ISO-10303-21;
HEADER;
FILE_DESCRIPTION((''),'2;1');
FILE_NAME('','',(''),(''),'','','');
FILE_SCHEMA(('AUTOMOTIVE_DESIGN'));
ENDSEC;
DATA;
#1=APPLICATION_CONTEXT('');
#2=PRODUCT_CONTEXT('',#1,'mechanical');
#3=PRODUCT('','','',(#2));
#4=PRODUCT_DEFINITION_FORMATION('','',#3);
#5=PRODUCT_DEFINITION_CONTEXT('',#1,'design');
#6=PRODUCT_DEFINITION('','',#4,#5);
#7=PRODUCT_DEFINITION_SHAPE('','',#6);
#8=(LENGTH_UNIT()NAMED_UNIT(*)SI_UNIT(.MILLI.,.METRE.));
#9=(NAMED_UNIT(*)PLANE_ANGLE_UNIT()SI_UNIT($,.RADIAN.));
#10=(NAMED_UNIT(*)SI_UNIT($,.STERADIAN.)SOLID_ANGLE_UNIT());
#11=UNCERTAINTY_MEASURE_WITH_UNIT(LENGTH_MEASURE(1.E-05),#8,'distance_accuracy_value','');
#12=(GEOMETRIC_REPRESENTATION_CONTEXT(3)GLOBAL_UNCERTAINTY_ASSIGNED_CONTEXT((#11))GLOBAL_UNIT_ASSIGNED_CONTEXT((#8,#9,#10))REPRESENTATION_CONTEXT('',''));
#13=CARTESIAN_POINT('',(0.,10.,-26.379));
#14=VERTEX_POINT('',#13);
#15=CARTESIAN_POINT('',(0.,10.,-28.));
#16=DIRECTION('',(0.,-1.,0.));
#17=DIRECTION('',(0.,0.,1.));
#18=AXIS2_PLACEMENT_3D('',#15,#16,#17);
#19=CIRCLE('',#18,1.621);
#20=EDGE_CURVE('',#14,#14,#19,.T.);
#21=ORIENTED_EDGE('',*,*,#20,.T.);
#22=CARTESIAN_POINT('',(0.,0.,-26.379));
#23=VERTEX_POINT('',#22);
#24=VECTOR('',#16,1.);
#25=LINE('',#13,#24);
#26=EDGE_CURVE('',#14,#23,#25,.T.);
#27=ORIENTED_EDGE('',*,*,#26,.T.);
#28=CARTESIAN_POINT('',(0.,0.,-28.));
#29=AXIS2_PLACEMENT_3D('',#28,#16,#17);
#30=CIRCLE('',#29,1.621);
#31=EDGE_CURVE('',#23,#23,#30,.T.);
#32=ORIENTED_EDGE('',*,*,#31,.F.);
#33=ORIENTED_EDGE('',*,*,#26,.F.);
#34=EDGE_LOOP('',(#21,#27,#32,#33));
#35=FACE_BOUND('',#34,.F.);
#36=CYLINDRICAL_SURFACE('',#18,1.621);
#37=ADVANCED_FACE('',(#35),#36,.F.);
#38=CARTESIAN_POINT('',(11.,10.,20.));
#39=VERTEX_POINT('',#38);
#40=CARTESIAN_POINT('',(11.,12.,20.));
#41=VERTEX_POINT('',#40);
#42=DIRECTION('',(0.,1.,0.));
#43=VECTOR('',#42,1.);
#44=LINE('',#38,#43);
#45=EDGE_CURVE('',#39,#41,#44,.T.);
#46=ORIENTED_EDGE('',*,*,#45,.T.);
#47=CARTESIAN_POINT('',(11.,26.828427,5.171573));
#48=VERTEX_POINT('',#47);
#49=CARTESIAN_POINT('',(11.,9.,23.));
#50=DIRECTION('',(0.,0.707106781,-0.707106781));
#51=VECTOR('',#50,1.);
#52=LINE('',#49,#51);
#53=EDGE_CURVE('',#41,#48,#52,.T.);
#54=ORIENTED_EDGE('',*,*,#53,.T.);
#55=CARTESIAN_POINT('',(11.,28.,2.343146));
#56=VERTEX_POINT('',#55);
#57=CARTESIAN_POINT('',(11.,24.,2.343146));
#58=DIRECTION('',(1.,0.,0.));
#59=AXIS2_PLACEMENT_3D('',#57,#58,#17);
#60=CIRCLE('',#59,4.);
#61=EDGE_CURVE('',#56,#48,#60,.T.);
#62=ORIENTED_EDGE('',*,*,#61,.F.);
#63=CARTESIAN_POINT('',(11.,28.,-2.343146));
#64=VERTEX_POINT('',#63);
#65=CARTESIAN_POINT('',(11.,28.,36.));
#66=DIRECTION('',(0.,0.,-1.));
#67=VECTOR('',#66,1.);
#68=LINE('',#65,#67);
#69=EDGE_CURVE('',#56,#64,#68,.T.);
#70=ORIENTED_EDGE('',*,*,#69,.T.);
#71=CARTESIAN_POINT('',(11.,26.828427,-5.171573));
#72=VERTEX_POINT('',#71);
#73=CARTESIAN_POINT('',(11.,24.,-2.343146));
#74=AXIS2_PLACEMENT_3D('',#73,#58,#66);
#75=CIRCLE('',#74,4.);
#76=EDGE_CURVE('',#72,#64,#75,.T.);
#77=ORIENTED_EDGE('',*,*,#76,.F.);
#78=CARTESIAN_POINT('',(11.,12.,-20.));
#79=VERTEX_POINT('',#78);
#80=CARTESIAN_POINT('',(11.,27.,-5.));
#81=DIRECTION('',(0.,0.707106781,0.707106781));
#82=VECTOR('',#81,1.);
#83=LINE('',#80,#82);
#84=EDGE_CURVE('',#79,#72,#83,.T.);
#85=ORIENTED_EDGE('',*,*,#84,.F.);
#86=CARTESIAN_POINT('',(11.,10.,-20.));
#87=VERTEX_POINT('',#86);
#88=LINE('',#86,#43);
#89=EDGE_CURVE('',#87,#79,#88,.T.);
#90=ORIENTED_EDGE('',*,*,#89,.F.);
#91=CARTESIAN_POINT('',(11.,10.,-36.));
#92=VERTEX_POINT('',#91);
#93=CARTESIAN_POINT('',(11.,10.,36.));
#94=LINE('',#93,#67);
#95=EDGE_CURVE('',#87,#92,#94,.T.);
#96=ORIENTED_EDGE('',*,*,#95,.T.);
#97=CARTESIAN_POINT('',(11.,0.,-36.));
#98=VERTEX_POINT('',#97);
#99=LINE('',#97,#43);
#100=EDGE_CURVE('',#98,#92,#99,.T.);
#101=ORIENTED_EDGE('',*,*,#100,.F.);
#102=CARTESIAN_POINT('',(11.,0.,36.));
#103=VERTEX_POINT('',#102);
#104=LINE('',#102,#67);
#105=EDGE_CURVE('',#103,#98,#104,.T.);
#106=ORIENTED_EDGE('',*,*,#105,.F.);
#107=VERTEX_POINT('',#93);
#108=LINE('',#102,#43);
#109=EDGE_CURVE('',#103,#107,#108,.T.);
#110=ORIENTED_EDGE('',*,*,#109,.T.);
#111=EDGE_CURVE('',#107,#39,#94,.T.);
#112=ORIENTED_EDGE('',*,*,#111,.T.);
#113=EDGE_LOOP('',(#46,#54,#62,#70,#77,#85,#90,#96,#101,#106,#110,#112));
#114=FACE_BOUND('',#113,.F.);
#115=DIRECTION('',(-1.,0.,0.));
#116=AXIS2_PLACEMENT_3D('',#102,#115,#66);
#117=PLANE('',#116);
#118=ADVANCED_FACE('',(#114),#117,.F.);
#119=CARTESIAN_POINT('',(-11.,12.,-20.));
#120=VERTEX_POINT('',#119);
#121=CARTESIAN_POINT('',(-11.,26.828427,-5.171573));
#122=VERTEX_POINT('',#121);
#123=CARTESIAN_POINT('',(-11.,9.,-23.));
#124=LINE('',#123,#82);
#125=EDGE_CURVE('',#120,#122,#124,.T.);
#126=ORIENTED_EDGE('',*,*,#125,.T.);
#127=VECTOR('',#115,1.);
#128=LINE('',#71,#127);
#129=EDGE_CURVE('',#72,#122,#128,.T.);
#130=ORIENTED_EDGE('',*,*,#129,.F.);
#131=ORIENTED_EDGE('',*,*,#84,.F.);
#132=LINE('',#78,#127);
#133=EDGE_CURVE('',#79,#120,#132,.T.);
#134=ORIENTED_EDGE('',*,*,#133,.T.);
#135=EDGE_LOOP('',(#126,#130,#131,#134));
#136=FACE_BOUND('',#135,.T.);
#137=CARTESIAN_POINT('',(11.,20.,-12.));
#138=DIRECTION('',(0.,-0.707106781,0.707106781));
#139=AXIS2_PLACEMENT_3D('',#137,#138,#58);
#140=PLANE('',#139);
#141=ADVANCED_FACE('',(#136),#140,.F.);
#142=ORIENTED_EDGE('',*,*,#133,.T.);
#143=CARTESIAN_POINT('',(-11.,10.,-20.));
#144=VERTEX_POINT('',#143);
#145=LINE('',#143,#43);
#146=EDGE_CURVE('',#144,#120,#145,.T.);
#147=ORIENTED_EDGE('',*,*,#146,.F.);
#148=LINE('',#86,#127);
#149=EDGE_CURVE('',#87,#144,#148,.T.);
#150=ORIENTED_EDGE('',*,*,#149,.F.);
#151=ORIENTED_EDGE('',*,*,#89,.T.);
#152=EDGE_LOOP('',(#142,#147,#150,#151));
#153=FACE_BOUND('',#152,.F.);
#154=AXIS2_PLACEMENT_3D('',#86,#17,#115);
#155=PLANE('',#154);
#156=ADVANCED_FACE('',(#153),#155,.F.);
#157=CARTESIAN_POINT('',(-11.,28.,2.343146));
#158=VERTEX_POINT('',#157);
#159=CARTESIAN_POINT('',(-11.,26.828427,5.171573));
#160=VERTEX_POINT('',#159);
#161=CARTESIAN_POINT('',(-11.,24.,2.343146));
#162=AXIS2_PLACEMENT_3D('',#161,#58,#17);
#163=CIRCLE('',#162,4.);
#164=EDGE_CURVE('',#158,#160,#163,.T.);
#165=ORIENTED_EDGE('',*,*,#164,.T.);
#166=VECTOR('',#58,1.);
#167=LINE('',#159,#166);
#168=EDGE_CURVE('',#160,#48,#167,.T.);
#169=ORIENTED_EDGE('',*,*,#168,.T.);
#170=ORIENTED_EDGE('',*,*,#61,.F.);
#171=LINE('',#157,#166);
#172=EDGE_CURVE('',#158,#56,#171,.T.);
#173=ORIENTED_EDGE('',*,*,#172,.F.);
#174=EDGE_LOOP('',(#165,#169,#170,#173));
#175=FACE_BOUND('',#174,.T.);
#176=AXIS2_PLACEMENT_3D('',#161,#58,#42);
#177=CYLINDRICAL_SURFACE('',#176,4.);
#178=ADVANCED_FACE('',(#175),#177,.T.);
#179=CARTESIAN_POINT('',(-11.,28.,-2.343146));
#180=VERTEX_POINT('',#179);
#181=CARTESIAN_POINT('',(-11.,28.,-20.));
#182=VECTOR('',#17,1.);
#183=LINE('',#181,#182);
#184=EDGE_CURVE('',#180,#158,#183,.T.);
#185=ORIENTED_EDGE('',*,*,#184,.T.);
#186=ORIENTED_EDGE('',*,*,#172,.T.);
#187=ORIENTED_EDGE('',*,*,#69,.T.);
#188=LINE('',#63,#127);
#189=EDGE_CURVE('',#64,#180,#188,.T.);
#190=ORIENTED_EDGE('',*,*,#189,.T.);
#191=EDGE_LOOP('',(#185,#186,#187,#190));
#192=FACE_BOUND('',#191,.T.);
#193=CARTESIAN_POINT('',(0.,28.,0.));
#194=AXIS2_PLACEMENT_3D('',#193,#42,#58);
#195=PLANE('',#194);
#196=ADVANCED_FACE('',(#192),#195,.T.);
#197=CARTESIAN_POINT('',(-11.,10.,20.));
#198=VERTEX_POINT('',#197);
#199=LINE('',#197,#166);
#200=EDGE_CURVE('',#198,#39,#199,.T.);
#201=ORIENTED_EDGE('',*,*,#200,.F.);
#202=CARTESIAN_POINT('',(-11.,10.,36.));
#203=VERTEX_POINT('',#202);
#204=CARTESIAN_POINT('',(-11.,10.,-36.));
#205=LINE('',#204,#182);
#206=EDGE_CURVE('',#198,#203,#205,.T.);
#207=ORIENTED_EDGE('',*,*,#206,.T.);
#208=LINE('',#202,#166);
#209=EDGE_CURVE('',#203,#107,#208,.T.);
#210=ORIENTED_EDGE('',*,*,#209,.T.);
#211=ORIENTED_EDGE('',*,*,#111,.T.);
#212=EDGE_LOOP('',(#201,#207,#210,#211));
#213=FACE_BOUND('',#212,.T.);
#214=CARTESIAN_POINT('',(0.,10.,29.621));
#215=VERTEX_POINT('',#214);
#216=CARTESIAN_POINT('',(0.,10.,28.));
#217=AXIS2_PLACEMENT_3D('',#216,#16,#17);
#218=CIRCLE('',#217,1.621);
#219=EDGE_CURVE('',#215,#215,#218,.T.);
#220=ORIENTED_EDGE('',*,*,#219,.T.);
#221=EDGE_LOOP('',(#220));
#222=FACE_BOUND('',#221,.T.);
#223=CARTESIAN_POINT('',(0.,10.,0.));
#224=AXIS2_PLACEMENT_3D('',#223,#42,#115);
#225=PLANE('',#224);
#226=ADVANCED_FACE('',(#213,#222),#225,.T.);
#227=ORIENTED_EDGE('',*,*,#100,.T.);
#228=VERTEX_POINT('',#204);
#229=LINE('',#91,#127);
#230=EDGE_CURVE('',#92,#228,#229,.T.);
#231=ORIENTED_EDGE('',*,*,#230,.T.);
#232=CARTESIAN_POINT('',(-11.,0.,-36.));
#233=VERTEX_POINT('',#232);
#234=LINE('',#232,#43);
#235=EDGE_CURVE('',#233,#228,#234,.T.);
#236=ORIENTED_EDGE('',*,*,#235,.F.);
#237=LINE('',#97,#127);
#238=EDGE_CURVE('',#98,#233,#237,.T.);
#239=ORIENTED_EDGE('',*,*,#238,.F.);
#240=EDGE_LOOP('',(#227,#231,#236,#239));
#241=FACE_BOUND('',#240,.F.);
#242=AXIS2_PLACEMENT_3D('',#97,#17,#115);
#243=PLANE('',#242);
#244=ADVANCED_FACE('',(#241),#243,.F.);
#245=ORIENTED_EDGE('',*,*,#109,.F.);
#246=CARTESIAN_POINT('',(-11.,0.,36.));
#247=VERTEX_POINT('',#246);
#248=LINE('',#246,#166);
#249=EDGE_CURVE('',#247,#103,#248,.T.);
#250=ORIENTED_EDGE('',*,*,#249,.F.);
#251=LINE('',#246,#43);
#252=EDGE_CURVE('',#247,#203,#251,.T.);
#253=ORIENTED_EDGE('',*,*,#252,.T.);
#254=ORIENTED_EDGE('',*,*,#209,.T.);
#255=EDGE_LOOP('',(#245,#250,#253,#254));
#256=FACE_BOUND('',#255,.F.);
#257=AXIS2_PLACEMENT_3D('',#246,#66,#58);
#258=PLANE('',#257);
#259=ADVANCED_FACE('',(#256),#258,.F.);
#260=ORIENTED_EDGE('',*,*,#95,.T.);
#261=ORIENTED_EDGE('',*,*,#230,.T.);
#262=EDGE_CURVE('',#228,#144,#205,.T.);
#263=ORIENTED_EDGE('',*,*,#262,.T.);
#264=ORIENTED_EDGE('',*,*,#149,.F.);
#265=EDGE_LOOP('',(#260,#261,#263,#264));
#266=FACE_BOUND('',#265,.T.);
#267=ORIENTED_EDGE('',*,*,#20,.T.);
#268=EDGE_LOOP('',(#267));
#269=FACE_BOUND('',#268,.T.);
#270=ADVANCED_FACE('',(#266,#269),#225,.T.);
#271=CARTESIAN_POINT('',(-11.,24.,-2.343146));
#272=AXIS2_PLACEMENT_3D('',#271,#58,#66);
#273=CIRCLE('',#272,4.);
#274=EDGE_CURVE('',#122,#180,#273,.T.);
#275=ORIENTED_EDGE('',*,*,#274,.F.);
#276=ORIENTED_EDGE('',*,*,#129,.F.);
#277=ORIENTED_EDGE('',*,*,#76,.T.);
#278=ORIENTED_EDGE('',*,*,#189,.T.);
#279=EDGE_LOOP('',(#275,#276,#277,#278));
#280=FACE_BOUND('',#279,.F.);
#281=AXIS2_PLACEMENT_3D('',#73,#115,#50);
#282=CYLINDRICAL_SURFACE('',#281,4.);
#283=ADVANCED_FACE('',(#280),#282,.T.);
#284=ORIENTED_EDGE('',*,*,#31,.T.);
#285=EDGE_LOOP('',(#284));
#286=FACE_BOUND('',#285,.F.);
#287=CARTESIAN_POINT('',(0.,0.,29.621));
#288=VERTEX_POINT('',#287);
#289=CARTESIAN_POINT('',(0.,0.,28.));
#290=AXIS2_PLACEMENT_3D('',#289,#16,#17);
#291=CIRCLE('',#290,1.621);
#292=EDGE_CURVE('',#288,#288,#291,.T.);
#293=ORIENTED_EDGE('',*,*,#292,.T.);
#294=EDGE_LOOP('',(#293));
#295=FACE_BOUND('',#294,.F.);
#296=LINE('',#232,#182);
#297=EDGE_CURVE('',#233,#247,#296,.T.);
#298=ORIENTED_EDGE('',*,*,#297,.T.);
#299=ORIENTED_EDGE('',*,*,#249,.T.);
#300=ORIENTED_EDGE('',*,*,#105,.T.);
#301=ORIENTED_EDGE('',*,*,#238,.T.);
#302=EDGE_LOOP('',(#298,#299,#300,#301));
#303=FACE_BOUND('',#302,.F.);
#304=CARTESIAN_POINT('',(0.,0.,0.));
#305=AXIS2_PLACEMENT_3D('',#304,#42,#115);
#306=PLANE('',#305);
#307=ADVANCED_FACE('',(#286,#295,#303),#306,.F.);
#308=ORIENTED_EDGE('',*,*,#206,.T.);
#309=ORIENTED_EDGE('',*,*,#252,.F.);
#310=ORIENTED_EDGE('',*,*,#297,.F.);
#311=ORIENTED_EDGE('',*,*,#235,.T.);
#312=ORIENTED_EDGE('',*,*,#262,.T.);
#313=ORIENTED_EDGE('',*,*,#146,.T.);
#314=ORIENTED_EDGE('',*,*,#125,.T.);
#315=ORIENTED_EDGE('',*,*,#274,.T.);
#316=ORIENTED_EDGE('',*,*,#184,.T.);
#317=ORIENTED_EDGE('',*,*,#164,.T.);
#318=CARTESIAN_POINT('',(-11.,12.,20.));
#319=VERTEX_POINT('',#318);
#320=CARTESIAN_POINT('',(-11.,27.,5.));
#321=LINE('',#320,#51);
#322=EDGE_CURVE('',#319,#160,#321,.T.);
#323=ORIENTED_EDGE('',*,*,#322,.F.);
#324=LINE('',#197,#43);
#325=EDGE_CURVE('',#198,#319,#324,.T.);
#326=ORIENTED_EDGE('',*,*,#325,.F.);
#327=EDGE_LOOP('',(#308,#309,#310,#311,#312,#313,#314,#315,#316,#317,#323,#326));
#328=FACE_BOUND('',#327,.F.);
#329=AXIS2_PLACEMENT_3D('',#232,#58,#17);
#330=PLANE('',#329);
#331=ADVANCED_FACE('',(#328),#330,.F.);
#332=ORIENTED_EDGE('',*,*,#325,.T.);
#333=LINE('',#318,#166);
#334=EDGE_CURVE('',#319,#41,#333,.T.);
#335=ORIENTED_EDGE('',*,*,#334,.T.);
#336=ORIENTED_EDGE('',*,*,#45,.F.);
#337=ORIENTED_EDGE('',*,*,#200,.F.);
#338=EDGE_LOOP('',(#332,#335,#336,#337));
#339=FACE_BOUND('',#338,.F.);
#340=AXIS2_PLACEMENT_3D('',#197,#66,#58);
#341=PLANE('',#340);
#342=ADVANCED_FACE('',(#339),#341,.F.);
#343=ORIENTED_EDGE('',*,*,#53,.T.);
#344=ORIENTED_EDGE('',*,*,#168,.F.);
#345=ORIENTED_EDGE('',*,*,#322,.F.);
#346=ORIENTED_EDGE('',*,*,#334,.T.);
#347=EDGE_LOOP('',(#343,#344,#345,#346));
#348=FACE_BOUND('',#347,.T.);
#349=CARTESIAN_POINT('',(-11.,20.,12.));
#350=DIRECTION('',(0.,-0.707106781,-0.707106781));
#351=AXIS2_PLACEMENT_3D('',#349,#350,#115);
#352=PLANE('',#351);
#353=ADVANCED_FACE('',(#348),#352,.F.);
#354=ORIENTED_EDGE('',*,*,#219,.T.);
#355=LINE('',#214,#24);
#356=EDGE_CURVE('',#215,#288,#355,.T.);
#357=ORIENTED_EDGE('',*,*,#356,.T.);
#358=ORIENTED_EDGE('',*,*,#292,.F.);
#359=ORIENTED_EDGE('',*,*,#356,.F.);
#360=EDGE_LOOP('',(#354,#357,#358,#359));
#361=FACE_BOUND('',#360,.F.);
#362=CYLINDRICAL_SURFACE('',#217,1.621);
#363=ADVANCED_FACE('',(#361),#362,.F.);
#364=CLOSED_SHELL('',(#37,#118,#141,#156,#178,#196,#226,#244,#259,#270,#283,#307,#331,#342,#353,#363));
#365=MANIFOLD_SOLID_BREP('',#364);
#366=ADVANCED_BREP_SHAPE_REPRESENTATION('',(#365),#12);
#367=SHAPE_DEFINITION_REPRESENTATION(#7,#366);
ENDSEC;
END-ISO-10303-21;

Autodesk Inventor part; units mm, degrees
ref_plane "YZ Plane" through (0, 0, 0) normal (1, 0, 0) x (0, 1, 0)
ref_plane "XZ Plane" through (0, 0, 0) normal (0, 1, 0) x (-1, 0, 0)
ref_plane "XY Plane" through (0, 0, 0) normal (0, 0, 1) x (1, 0, 0)
sketch "Sketch1" plane through (0, 0, 0) normal (0, 1, 0) x (-1, 0, 0)
  line L0 (11, 36) -> (-11, 36)
  line L1 (-11, 36) -> (-11, -36)
  line L2 (-11, -36) -> (11, -36)
  line L3 (11, -36) -> (11, 36)
  line L4 (11, 36) -> (-11, -36) construction
  line L5 (-11, 36) -> (11, -36) construction
  point P0 (0, 0)
extrude "Extrusion1" add sketch "Sketch1" along normal blind 10
sketch "Sketch2" plane through (0, 10, 0) normal (0, 1, 0) x (1, 0, 0)
  point P0 (0, 0)
  point P1 (0, -28)
  point P2 (0, 28)
hole "Hole1" at (0, 10, 28) at (0, 10, -28) direction (0, -1, 0) diameter 3.242 depth 10 thread size "M4x0.7" class "6H" standard "ISO Metric profile"
sketch "Sketch3" plane through (0, 10, 0) normal (0, 1, 0) x (1, 0, 0)
  line L0 (11, -36) -> (11, 36) projected
  line L1 (-11, -20) -> (11, -20)
  line L2 (11, -20) -> (11, 20)
  line L3 (11, 20) -> (-11, 20)
  line L4 (-11, 20) -> (-11, -20)
  line L5 (-11, -20) -> (11, 20) construction
  line L6 (11, -20) -> (-11, 20) construction
  point P0 (0, 0)
extrude "Extrusion2" add sketch "Sketch3" along normal blind 18
chamfer "Chamfer1" distance 16 angle 45 2 edges at (0, 28, -20) (0, 28, 20)
fillet "Fillet1" radius 4 2 edges at (0, 28, 4) (0, 28, -4)
sketch "Sketch4" plane through (-11, 12, 20) normal (0, 0.7071, 0.7071) x (1, 0, 0)
  point P0 (11, 5.6569)
  point P1 (11, 12)
sketch "Sketch5" plane through (11, 12, -20) normal (0, 0.7071, -0.7071) x (-1, 0, 0)
  point P0 (11, 5.6569)
  point P1 (11, 12)
properties part number "StrutConnector"
